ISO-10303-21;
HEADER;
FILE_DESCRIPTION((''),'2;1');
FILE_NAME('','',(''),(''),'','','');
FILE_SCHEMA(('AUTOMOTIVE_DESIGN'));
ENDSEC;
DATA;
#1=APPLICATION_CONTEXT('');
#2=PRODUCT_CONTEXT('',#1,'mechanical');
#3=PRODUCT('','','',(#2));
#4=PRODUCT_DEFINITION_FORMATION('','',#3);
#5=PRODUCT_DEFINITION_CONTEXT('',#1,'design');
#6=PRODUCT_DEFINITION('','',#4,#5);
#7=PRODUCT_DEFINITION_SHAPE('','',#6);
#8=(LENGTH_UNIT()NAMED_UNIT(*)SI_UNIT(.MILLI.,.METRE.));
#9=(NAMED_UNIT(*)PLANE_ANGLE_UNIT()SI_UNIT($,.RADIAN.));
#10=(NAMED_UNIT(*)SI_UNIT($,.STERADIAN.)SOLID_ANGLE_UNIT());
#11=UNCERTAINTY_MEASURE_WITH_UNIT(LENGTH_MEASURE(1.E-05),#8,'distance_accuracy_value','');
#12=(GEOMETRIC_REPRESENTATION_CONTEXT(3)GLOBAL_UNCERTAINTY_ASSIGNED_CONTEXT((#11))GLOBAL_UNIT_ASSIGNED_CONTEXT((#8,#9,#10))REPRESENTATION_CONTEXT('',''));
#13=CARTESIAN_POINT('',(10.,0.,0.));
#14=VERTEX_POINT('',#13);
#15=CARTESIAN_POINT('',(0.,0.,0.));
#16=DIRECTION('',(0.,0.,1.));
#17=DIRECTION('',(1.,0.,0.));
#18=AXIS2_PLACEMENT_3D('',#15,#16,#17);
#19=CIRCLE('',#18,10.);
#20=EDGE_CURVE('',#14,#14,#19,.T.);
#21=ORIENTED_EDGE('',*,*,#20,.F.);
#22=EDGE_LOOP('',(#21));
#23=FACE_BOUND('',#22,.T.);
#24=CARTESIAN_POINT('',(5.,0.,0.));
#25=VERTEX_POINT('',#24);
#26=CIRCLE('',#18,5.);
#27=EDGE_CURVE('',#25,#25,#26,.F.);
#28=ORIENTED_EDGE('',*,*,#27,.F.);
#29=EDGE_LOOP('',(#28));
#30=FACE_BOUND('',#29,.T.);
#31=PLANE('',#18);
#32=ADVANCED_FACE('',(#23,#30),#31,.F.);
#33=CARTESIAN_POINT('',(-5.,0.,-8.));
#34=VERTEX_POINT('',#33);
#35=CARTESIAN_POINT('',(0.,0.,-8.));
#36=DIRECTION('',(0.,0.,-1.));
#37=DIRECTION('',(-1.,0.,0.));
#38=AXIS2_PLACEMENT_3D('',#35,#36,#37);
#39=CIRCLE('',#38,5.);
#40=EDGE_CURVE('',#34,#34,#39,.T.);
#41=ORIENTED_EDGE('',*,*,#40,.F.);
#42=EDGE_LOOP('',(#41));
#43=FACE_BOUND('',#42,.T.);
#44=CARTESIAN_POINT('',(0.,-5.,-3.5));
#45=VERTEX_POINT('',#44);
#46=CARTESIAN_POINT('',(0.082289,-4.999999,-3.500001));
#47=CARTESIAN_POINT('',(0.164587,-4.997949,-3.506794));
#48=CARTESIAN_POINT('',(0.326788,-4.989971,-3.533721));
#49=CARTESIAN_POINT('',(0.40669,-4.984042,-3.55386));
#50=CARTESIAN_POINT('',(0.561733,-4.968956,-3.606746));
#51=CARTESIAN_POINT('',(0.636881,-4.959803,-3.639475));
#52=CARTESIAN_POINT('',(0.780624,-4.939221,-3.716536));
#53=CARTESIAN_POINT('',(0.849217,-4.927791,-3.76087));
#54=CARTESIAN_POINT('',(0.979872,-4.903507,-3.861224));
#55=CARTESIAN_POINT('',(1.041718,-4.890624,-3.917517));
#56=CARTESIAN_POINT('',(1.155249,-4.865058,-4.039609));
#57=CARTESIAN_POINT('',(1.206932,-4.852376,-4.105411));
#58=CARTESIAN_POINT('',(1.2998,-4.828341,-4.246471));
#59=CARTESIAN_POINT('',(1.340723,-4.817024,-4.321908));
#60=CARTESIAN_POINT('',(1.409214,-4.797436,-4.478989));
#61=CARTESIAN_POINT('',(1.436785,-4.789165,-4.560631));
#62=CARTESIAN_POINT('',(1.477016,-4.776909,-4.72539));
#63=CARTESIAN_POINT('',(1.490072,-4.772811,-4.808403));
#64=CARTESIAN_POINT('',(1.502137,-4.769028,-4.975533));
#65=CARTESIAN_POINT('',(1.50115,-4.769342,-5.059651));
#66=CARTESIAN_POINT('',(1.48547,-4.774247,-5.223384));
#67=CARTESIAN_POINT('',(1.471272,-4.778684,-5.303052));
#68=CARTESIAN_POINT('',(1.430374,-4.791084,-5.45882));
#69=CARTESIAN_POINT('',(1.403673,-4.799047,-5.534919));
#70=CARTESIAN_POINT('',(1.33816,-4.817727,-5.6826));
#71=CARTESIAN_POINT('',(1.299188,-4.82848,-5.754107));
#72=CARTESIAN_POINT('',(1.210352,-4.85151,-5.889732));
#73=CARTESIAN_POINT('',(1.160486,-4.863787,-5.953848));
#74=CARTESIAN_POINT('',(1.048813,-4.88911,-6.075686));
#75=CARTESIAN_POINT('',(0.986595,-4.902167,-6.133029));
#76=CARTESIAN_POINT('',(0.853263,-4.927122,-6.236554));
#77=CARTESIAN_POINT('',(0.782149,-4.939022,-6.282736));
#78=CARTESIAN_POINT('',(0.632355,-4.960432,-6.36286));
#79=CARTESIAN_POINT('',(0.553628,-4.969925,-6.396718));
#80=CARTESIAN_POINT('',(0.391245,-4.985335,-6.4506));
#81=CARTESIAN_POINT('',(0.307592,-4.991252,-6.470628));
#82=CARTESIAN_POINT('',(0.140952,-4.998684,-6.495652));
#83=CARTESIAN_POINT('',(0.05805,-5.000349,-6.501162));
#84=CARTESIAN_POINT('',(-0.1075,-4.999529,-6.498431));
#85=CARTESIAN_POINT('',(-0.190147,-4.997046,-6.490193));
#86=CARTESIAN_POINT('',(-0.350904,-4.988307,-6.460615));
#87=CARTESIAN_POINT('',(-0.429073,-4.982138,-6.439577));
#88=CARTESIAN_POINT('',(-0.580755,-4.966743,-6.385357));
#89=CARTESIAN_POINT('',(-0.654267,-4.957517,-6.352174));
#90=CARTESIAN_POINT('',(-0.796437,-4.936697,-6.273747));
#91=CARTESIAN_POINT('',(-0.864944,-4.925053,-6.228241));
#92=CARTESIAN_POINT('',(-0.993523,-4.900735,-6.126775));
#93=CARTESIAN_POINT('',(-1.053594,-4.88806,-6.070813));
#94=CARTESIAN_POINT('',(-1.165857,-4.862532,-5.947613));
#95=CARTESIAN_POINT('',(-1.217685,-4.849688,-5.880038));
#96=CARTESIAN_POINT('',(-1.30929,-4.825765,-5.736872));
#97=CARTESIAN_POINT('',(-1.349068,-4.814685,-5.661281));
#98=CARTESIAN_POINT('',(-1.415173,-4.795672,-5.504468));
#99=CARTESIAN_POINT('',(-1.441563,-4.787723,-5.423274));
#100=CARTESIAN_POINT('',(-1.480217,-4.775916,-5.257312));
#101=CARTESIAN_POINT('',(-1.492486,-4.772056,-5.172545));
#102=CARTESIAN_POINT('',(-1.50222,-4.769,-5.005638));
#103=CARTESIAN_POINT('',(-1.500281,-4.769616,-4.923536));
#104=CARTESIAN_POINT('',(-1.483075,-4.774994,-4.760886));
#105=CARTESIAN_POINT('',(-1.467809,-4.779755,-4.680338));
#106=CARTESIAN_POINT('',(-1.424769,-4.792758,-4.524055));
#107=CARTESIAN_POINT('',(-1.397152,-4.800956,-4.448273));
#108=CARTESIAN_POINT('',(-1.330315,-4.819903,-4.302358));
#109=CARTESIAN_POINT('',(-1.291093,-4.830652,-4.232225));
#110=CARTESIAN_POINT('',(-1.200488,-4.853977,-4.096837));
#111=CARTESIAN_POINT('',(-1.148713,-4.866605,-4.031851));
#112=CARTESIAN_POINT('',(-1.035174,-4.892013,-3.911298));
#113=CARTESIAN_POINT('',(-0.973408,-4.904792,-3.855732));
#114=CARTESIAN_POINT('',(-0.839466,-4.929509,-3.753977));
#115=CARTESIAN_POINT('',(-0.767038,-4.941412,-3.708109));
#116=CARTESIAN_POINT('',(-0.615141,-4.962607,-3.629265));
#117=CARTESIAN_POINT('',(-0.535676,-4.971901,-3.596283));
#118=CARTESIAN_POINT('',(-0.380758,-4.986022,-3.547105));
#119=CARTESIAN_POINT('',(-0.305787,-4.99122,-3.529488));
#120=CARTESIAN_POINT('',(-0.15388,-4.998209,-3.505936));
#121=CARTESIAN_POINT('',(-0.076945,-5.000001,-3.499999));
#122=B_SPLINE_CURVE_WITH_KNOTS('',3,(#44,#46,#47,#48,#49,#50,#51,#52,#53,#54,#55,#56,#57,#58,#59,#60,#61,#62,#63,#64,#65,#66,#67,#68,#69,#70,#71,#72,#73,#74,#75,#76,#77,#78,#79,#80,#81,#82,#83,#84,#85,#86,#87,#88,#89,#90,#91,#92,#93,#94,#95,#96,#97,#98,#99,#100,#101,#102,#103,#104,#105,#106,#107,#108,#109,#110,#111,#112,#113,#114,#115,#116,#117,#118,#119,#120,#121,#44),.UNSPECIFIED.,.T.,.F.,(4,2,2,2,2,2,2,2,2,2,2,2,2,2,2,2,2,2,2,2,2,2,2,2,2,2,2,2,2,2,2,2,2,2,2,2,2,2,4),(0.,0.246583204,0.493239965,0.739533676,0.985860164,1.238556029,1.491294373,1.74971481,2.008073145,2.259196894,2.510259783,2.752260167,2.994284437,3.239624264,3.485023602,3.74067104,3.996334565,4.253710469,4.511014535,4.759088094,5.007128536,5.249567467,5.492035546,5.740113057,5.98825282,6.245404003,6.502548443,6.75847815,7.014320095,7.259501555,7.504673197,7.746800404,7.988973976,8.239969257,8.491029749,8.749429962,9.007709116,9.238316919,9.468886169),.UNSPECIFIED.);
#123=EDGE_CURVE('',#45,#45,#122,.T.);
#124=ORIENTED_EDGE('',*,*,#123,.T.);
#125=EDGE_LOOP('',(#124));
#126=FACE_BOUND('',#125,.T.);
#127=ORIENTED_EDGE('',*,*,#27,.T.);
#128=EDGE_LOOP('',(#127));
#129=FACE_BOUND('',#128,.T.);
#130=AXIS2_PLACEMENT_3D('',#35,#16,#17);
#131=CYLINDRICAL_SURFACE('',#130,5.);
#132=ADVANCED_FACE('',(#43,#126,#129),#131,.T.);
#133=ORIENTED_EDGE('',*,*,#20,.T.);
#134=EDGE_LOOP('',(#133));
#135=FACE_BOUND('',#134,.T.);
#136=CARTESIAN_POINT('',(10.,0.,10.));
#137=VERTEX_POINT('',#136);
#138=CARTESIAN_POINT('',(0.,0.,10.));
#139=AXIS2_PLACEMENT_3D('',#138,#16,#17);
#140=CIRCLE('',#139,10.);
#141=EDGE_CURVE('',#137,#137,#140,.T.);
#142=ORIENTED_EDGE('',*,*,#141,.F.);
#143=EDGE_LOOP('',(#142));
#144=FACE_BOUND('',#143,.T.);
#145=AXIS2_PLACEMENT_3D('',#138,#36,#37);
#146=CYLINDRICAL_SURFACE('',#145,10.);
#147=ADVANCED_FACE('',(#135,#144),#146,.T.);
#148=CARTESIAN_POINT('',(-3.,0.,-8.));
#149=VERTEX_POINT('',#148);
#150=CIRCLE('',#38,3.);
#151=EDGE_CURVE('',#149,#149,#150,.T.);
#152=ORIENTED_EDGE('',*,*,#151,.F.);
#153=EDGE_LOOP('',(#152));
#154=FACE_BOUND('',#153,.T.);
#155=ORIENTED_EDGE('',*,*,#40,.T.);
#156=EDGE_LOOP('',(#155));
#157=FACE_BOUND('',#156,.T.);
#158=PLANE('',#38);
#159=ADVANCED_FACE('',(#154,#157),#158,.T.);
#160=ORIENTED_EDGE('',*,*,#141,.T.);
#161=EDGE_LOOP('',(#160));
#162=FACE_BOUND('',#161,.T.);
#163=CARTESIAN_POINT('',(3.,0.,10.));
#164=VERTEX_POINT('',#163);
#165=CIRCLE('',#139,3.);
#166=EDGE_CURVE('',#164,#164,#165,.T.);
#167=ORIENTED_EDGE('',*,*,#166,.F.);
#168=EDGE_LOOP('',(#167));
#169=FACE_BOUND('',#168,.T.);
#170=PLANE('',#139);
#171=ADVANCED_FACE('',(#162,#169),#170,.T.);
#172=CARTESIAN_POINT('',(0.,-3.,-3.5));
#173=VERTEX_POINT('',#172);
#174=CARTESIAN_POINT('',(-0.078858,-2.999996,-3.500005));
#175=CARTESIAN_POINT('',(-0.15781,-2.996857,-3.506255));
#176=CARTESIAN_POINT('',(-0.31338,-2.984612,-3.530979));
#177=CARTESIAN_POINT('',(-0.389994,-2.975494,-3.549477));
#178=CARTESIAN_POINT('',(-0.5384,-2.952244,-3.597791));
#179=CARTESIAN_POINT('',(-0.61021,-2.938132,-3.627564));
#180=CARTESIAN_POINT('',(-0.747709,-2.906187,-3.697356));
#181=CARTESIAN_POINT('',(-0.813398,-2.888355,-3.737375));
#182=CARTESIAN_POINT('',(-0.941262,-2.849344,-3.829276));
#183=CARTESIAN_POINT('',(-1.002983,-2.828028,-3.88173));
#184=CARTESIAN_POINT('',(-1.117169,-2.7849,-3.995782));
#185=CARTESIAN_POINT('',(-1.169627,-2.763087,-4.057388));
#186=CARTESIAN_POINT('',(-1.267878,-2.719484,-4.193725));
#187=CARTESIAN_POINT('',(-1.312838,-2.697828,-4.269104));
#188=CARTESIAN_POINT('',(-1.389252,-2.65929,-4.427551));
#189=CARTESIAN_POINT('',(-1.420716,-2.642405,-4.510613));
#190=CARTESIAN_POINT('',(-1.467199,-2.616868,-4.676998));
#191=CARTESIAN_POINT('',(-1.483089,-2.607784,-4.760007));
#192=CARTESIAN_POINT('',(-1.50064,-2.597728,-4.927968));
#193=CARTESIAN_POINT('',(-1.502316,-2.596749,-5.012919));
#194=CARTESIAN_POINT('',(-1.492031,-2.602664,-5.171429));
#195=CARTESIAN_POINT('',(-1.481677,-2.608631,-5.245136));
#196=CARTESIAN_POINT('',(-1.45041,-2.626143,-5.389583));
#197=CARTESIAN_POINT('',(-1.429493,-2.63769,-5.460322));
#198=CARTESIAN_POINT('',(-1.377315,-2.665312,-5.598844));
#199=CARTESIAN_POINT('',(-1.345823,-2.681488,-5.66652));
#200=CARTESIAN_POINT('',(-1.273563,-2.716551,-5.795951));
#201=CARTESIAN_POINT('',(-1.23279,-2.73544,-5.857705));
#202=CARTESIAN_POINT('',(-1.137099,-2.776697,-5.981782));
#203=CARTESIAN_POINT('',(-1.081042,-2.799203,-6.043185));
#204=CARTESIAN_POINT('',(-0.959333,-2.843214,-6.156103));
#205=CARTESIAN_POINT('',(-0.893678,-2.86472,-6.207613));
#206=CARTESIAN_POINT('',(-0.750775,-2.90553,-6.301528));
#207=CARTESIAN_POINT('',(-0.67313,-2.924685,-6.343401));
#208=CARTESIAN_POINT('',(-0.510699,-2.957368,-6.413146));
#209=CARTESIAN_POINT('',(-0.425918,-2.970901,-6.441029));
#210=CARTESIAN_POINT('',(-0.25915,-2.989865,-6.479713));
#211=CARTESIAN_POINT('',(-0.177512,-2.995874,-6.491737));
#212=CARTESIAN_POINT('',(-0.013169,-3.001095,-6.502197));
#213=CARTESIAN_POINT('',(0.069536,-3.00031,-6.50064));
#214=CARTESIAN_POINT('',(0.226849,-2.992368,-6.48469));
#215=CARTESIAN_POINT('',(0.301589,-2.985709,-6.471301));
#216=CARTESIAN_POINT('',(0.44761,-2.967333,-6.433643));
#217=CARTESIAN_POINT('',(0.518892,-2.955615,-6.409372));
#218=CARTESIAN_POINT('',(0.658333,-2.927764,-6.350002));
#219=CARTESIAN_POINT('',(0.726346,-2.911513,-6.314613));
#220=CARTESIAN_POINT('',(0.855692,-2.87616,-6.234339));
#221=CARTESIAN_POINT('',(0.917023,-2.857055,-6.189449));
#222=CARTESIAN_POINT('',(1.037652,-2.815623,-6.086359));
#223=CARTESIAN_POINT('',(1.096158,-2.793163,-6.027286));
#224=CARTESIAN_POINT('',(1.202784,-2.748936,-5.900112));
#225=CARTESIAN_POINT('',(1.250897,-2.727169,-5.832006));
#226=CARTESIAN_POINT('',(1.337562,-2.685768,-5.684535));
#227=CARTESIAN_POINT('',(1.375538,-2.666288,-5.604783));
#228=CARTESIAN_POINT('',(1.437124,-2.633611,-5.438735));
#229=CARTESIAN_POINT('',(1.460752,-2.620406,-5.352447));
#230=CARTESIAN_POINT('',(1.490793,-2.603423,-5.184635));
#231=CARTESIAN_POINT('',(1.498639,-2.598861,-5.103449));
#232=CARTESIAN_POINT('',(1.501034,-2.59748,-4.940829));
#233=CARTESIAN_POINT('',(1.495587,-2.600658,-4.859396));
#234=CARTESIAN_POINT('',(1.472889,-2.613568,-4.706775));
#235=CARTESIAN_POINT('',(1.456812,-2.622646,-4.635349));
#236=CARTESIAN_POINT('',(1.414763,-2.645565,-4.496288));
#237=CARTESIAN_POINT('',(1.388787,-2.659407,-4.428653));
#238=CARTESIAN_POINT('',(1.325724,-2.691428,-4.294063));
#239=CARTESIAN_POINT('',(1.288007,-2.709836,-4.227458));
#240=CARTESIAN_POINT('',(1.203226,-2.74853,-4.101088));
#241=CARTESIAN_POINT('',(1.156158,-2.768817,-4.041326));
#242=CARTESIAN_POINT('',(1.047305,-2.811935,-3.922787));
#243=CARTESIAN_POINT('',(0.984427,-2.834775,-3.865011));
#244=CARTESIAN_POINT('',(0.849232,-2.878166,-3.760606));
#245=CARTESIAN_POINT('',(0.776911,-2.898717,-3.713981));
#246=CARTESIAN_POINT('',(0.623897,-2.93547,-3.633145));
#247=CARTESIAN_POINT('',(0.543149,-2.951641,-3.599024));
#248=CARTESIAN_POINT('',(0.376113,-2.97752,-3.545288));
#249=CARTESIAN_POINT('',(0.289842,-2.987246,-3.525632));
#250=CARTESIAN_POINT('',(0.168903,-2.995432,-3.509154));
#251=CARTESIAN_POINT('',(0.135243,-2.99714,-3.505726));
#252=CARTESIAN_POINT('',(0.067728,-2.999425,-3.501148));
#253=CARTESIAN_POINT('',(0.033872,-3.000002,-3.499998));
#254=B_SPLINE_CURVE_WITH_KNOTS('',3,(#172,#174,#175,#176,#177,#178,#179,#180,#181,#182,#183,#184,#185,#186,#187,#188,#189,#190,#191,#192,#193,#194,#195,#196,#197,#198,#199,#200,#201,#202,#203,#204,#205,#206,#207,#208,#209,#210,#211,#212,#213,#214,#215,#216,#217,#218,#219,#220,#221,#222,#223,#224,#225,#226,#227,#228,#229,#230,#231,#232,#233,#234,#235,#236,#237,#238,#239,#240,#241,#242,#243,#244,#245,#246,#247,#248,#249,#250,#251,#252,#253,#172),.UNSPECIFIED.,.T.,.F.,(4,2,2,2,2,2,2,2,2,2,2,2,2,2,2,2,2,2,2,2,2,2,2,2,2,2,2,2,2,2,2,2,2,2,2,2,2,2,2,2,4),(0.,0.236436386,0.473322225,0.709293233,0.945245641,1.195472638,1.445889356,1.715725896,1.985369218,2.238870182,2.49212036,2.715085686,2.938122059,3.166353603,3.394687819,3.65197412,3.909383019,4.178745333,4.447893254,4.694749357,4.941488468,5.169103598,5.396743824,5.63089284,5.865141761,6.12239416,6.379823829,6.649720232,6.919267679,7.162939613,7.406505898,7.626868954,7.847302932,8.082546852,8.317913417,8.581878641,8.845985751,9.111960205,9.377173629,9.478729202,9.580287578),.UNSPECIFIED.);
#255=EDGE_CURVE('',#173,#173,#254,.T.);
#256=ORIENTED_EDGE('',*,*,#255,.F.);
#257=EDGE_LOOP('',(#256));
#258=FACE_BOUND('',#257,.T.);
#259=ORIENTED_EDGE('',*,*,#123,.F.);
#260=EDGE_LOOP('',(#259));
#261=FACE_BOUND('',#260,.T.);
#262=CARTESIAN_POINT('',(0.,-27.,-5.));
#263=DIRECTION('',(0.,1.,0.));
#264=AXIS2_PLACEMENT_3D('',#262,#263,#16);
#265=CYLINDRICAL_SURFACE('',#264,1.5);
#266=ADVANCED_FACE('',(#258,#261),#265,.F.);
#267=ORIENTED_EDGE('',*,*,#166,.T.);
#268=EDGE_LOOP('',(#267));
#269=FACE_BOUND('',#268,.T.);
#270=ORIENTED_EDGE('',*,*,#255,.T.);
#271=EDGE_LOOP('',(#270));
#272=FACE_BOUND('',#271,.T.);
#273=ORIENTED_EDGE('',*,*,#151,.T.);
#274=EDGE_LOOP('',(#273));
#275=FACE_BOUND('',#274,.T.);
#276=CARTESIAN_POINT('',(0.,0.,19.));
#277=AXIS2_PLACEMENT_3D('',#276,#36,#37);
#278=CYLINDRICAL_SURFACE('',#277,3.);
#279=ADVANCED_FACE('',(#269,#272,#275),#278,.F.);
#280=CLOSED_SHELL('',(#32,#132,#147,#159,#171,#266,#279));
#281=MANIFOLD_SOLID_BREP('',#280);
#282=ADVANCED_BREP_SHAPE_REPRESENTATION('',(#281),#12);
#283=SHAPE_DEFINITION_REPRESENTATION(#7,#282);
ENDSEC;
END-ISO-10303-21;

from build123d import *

# Parameters (mm, degrees)
SKETCH1_R           = 10
BOSS_EXTRUDE1_DEPTH = 10
SKETCH3_R           = 5
BOSS_EXTRUDE2_DEPTH = 8
SKETCH4_R           = 3
CUT_EXTRUDE1_DEPTH  = 27
SKETCH5_R           = 1.5
CUT_EXTRUDE2_DEPTH  = 27


with BuildPart() as part:
    # Sketch1 → Boss-Extrude1 (new body)
    with BuildSketch(Plane.XY):
        Circle(SKETCH1_R)
    extrude(amount=BOSS_EXTRUDE1_DEPTH)

    # Sketch3 → Boss-Extrude2 (add)
    with BuildSketch(Plane(origin=(0, 0, 0), x_dir=(-1, 0, 0), z_dir=(0, 0, -1))):
        with Locations(Location((0, 0, 0), (0, 0, 180))):
            Circle(SKETCH3_R)
    extrude(amount=BOSS_EXTRUDE2_DEPTH)

    # Sketch4 → Cut-Extrude1 (cut)
    with BuildSketch(Plane(origin=(0, 0, -8), x_dir=(-1, 0, 0), z_dir=(0, 0, -1))):
        Circle(SKETCH4_R)
    extrude(amount=-CUT_EXTRUDE1_DEPTH, mode=Mode.SUBTRACT)

    # Sketch5 → Cut-Extrude2 (cut)
    with BuildSketch(Plane(origin=(0, 0, 0), x_dir=(1, 0, 0), z_dir=(0, 1, 0))):
        with Locations(Location((0, 5, 0), (0, 0, 270))):
            Circle(SKETCH5_R)
    extrude(amount=-CUT_EXTRUDE2_DEPTH, mode=Mode.SUBTRACT)


solid = part.part
